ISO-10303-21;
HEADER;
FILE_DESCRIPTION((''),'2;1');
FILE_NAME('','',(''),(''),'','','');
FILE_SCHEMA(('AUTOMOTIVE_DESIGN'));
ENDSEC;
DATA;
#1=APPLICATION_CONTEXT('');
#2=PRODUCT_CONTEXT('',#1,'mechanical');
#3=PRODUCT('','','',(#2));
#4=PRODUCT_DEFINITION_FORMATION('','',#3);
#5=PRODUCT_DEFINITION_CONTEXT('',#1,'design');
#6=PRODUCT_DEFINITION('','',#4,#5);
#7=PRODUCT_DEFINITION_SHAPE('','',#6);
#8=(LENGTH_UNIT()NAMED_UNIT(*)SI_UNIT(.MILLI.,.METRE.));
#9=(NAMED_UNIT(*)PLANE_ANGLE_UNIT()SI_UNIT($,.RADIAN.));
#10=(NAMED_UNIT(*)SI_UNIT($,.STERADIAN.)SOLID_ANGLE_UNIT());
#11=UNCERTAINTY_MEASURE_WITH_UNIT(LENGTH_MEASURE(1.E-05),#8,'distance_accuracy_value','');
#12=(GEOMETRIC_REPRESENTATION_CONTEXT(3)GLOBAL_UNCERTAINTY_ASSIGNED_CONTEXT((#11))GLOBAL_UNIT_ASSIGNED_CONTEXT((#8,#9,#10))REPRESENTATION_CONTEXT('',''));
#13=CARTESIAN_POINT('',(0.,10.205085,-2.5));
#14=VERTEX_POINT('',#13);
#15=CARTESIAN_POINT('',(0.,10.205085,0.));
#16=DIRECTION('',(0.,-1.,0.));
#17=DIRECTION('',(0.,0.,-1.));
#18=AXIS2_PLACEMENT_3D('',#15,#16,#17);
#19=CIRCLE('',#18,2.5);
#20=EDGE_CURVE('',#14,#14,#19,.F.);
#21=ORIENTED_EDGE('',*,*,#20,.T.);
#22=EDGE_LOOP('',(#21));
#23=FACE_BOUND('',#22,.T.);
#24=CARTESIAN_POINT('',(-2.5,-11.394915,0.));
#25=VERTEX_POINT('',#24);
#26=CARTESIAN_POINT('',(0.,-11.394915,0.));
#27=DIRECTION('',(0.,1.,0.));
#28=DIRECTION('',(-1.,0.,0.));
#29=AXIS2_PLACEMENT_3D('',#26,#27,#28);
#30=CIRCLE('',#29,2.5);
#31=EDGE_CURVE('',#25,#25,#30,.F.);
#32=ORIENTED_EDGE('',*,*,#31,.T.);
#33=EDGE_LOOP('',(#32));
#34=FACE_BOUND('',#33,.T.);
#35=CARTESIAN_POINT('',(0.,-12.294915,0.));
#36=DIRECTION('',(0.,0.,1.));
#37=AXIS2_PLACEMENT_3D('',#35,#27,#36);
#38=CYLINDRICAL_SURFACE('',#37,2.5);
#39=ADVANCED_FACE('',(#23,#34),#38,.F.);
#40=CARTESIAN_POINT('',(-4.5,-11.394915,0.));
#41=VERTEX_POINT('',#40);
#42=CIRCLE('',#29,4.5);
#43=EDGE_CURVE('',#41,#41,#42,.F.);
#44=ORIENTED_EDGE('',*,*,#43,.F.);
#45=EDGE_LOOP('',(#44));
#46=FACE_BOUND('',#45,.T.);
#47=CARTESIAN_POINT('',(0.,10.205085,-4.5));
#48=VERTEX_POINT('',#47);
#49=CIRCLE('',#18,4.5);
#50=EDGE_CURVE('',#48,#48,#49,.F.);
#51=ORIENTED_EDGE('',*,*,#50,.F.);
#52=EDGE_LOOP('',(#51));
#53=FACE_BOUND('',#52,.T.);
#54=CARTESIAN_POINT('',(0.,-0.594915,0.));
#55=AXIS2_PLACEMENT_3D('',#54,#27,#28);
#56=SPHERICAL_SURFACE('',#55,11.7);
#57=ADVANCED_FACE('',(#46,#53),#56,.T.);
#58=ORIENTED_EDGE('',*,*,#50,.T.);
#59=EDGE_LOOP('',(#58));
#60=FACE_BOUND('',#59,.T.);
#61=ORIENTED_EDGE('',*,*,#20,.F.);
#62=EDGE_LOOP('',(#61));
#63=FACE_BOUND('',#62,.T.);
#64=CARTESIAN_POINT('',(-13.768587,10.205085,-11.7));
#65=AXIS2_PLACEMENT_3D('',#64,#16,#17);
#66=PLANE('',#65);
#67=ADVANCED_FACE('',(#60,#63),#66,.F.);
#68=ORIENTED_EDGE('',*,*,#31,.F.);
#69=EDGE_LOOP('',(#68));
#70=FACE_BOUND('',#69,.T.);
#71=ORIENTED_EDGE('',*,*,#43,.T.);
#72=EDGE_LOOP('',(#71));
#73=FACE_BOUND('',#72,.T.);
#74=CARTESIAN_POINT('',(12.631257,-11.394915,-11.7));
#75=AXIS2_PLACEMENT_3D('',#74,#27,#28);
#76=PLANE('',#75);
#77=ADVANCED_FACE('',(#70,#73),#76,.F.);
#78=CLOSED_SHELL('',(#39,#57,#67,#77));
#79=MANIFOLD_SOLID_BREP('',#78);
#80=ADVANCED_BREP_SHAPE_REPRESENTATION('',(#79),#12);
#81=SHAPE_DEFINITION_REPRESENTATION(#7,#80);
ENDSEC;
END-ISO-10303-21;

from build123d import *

# Parameters (mm, degrees)
SKETCH2_R               = 2.5
CUT_EXTRUDE1_DEPTH      = 12.105084746
CUT_EXTRUDE1_DEPTH_BACK = 13.294915254
CUT_EXTRUDE2_DEPTH      = 12.7
CUT_EXTRUDE2_DEPTH_BACK = 12.7


with BuildPart() as part:
    # Sketch1 → Revolve1 (revolve)
    with BuildSketch(Plane.XY):
        with BuildLine():
            Line((0, 11.105084746), (0, -12.294915254))
            ThreePointArc((0, -12.294915254), (-11.7, -0.594915254), (0, 11.105084746))
        make_face()
    revolve(axis=Axis((0, 11.105084746, 0), (0, -1, 0)))

    # Sketch2 → Cut-Extrude1 (cut, two sides)
    with BuildSketch(Plane(origin=(0, 0, 0), x_dir=(1, 0, 0), z_dir=(0, 1, 0))) as cut_extrude1_sk:
        Circle(SKETCH2_R)
    extrude(amount=CUT_EXTRUDE1_DEPTH, mode=Mode.SUBTRACT)
    extrude(cut_extrude1_sk.sketch, amount=-CUT_EXTRUDE1_DEPTH_BACK, mode=Mode.SUBTRACT)

    # Sketch6 → Cut-Extrude2 (cut, two sides)
    with BuildSketch(Plane.XY) as cut_extrude2_sk:
        Polygon((0, 12.205084746), (-13.76858677, 12.205084746), (-13.76858677, 10.205084746), (12.631256699, 10.205084746), (12.631256699, 12.205084746), align=None)
        Polygon((0, -13.394915254), (12.631256699, -13.394915254), (12.631256699, -11.394915254), (-13.76858677, -11.394915254), (-13.76858677, -13.394915254), align=None)
    extrude(amount=CUT_EXTRUDE2_DEPTH, mode=Mode.SUBTRACT)
    extrude(cut_extrude2_sk.sketch, amount=-CUT_EXTRUDE2_DEPTH_BACK, mode=Mode.SUBTRACT)


solid = part.part
